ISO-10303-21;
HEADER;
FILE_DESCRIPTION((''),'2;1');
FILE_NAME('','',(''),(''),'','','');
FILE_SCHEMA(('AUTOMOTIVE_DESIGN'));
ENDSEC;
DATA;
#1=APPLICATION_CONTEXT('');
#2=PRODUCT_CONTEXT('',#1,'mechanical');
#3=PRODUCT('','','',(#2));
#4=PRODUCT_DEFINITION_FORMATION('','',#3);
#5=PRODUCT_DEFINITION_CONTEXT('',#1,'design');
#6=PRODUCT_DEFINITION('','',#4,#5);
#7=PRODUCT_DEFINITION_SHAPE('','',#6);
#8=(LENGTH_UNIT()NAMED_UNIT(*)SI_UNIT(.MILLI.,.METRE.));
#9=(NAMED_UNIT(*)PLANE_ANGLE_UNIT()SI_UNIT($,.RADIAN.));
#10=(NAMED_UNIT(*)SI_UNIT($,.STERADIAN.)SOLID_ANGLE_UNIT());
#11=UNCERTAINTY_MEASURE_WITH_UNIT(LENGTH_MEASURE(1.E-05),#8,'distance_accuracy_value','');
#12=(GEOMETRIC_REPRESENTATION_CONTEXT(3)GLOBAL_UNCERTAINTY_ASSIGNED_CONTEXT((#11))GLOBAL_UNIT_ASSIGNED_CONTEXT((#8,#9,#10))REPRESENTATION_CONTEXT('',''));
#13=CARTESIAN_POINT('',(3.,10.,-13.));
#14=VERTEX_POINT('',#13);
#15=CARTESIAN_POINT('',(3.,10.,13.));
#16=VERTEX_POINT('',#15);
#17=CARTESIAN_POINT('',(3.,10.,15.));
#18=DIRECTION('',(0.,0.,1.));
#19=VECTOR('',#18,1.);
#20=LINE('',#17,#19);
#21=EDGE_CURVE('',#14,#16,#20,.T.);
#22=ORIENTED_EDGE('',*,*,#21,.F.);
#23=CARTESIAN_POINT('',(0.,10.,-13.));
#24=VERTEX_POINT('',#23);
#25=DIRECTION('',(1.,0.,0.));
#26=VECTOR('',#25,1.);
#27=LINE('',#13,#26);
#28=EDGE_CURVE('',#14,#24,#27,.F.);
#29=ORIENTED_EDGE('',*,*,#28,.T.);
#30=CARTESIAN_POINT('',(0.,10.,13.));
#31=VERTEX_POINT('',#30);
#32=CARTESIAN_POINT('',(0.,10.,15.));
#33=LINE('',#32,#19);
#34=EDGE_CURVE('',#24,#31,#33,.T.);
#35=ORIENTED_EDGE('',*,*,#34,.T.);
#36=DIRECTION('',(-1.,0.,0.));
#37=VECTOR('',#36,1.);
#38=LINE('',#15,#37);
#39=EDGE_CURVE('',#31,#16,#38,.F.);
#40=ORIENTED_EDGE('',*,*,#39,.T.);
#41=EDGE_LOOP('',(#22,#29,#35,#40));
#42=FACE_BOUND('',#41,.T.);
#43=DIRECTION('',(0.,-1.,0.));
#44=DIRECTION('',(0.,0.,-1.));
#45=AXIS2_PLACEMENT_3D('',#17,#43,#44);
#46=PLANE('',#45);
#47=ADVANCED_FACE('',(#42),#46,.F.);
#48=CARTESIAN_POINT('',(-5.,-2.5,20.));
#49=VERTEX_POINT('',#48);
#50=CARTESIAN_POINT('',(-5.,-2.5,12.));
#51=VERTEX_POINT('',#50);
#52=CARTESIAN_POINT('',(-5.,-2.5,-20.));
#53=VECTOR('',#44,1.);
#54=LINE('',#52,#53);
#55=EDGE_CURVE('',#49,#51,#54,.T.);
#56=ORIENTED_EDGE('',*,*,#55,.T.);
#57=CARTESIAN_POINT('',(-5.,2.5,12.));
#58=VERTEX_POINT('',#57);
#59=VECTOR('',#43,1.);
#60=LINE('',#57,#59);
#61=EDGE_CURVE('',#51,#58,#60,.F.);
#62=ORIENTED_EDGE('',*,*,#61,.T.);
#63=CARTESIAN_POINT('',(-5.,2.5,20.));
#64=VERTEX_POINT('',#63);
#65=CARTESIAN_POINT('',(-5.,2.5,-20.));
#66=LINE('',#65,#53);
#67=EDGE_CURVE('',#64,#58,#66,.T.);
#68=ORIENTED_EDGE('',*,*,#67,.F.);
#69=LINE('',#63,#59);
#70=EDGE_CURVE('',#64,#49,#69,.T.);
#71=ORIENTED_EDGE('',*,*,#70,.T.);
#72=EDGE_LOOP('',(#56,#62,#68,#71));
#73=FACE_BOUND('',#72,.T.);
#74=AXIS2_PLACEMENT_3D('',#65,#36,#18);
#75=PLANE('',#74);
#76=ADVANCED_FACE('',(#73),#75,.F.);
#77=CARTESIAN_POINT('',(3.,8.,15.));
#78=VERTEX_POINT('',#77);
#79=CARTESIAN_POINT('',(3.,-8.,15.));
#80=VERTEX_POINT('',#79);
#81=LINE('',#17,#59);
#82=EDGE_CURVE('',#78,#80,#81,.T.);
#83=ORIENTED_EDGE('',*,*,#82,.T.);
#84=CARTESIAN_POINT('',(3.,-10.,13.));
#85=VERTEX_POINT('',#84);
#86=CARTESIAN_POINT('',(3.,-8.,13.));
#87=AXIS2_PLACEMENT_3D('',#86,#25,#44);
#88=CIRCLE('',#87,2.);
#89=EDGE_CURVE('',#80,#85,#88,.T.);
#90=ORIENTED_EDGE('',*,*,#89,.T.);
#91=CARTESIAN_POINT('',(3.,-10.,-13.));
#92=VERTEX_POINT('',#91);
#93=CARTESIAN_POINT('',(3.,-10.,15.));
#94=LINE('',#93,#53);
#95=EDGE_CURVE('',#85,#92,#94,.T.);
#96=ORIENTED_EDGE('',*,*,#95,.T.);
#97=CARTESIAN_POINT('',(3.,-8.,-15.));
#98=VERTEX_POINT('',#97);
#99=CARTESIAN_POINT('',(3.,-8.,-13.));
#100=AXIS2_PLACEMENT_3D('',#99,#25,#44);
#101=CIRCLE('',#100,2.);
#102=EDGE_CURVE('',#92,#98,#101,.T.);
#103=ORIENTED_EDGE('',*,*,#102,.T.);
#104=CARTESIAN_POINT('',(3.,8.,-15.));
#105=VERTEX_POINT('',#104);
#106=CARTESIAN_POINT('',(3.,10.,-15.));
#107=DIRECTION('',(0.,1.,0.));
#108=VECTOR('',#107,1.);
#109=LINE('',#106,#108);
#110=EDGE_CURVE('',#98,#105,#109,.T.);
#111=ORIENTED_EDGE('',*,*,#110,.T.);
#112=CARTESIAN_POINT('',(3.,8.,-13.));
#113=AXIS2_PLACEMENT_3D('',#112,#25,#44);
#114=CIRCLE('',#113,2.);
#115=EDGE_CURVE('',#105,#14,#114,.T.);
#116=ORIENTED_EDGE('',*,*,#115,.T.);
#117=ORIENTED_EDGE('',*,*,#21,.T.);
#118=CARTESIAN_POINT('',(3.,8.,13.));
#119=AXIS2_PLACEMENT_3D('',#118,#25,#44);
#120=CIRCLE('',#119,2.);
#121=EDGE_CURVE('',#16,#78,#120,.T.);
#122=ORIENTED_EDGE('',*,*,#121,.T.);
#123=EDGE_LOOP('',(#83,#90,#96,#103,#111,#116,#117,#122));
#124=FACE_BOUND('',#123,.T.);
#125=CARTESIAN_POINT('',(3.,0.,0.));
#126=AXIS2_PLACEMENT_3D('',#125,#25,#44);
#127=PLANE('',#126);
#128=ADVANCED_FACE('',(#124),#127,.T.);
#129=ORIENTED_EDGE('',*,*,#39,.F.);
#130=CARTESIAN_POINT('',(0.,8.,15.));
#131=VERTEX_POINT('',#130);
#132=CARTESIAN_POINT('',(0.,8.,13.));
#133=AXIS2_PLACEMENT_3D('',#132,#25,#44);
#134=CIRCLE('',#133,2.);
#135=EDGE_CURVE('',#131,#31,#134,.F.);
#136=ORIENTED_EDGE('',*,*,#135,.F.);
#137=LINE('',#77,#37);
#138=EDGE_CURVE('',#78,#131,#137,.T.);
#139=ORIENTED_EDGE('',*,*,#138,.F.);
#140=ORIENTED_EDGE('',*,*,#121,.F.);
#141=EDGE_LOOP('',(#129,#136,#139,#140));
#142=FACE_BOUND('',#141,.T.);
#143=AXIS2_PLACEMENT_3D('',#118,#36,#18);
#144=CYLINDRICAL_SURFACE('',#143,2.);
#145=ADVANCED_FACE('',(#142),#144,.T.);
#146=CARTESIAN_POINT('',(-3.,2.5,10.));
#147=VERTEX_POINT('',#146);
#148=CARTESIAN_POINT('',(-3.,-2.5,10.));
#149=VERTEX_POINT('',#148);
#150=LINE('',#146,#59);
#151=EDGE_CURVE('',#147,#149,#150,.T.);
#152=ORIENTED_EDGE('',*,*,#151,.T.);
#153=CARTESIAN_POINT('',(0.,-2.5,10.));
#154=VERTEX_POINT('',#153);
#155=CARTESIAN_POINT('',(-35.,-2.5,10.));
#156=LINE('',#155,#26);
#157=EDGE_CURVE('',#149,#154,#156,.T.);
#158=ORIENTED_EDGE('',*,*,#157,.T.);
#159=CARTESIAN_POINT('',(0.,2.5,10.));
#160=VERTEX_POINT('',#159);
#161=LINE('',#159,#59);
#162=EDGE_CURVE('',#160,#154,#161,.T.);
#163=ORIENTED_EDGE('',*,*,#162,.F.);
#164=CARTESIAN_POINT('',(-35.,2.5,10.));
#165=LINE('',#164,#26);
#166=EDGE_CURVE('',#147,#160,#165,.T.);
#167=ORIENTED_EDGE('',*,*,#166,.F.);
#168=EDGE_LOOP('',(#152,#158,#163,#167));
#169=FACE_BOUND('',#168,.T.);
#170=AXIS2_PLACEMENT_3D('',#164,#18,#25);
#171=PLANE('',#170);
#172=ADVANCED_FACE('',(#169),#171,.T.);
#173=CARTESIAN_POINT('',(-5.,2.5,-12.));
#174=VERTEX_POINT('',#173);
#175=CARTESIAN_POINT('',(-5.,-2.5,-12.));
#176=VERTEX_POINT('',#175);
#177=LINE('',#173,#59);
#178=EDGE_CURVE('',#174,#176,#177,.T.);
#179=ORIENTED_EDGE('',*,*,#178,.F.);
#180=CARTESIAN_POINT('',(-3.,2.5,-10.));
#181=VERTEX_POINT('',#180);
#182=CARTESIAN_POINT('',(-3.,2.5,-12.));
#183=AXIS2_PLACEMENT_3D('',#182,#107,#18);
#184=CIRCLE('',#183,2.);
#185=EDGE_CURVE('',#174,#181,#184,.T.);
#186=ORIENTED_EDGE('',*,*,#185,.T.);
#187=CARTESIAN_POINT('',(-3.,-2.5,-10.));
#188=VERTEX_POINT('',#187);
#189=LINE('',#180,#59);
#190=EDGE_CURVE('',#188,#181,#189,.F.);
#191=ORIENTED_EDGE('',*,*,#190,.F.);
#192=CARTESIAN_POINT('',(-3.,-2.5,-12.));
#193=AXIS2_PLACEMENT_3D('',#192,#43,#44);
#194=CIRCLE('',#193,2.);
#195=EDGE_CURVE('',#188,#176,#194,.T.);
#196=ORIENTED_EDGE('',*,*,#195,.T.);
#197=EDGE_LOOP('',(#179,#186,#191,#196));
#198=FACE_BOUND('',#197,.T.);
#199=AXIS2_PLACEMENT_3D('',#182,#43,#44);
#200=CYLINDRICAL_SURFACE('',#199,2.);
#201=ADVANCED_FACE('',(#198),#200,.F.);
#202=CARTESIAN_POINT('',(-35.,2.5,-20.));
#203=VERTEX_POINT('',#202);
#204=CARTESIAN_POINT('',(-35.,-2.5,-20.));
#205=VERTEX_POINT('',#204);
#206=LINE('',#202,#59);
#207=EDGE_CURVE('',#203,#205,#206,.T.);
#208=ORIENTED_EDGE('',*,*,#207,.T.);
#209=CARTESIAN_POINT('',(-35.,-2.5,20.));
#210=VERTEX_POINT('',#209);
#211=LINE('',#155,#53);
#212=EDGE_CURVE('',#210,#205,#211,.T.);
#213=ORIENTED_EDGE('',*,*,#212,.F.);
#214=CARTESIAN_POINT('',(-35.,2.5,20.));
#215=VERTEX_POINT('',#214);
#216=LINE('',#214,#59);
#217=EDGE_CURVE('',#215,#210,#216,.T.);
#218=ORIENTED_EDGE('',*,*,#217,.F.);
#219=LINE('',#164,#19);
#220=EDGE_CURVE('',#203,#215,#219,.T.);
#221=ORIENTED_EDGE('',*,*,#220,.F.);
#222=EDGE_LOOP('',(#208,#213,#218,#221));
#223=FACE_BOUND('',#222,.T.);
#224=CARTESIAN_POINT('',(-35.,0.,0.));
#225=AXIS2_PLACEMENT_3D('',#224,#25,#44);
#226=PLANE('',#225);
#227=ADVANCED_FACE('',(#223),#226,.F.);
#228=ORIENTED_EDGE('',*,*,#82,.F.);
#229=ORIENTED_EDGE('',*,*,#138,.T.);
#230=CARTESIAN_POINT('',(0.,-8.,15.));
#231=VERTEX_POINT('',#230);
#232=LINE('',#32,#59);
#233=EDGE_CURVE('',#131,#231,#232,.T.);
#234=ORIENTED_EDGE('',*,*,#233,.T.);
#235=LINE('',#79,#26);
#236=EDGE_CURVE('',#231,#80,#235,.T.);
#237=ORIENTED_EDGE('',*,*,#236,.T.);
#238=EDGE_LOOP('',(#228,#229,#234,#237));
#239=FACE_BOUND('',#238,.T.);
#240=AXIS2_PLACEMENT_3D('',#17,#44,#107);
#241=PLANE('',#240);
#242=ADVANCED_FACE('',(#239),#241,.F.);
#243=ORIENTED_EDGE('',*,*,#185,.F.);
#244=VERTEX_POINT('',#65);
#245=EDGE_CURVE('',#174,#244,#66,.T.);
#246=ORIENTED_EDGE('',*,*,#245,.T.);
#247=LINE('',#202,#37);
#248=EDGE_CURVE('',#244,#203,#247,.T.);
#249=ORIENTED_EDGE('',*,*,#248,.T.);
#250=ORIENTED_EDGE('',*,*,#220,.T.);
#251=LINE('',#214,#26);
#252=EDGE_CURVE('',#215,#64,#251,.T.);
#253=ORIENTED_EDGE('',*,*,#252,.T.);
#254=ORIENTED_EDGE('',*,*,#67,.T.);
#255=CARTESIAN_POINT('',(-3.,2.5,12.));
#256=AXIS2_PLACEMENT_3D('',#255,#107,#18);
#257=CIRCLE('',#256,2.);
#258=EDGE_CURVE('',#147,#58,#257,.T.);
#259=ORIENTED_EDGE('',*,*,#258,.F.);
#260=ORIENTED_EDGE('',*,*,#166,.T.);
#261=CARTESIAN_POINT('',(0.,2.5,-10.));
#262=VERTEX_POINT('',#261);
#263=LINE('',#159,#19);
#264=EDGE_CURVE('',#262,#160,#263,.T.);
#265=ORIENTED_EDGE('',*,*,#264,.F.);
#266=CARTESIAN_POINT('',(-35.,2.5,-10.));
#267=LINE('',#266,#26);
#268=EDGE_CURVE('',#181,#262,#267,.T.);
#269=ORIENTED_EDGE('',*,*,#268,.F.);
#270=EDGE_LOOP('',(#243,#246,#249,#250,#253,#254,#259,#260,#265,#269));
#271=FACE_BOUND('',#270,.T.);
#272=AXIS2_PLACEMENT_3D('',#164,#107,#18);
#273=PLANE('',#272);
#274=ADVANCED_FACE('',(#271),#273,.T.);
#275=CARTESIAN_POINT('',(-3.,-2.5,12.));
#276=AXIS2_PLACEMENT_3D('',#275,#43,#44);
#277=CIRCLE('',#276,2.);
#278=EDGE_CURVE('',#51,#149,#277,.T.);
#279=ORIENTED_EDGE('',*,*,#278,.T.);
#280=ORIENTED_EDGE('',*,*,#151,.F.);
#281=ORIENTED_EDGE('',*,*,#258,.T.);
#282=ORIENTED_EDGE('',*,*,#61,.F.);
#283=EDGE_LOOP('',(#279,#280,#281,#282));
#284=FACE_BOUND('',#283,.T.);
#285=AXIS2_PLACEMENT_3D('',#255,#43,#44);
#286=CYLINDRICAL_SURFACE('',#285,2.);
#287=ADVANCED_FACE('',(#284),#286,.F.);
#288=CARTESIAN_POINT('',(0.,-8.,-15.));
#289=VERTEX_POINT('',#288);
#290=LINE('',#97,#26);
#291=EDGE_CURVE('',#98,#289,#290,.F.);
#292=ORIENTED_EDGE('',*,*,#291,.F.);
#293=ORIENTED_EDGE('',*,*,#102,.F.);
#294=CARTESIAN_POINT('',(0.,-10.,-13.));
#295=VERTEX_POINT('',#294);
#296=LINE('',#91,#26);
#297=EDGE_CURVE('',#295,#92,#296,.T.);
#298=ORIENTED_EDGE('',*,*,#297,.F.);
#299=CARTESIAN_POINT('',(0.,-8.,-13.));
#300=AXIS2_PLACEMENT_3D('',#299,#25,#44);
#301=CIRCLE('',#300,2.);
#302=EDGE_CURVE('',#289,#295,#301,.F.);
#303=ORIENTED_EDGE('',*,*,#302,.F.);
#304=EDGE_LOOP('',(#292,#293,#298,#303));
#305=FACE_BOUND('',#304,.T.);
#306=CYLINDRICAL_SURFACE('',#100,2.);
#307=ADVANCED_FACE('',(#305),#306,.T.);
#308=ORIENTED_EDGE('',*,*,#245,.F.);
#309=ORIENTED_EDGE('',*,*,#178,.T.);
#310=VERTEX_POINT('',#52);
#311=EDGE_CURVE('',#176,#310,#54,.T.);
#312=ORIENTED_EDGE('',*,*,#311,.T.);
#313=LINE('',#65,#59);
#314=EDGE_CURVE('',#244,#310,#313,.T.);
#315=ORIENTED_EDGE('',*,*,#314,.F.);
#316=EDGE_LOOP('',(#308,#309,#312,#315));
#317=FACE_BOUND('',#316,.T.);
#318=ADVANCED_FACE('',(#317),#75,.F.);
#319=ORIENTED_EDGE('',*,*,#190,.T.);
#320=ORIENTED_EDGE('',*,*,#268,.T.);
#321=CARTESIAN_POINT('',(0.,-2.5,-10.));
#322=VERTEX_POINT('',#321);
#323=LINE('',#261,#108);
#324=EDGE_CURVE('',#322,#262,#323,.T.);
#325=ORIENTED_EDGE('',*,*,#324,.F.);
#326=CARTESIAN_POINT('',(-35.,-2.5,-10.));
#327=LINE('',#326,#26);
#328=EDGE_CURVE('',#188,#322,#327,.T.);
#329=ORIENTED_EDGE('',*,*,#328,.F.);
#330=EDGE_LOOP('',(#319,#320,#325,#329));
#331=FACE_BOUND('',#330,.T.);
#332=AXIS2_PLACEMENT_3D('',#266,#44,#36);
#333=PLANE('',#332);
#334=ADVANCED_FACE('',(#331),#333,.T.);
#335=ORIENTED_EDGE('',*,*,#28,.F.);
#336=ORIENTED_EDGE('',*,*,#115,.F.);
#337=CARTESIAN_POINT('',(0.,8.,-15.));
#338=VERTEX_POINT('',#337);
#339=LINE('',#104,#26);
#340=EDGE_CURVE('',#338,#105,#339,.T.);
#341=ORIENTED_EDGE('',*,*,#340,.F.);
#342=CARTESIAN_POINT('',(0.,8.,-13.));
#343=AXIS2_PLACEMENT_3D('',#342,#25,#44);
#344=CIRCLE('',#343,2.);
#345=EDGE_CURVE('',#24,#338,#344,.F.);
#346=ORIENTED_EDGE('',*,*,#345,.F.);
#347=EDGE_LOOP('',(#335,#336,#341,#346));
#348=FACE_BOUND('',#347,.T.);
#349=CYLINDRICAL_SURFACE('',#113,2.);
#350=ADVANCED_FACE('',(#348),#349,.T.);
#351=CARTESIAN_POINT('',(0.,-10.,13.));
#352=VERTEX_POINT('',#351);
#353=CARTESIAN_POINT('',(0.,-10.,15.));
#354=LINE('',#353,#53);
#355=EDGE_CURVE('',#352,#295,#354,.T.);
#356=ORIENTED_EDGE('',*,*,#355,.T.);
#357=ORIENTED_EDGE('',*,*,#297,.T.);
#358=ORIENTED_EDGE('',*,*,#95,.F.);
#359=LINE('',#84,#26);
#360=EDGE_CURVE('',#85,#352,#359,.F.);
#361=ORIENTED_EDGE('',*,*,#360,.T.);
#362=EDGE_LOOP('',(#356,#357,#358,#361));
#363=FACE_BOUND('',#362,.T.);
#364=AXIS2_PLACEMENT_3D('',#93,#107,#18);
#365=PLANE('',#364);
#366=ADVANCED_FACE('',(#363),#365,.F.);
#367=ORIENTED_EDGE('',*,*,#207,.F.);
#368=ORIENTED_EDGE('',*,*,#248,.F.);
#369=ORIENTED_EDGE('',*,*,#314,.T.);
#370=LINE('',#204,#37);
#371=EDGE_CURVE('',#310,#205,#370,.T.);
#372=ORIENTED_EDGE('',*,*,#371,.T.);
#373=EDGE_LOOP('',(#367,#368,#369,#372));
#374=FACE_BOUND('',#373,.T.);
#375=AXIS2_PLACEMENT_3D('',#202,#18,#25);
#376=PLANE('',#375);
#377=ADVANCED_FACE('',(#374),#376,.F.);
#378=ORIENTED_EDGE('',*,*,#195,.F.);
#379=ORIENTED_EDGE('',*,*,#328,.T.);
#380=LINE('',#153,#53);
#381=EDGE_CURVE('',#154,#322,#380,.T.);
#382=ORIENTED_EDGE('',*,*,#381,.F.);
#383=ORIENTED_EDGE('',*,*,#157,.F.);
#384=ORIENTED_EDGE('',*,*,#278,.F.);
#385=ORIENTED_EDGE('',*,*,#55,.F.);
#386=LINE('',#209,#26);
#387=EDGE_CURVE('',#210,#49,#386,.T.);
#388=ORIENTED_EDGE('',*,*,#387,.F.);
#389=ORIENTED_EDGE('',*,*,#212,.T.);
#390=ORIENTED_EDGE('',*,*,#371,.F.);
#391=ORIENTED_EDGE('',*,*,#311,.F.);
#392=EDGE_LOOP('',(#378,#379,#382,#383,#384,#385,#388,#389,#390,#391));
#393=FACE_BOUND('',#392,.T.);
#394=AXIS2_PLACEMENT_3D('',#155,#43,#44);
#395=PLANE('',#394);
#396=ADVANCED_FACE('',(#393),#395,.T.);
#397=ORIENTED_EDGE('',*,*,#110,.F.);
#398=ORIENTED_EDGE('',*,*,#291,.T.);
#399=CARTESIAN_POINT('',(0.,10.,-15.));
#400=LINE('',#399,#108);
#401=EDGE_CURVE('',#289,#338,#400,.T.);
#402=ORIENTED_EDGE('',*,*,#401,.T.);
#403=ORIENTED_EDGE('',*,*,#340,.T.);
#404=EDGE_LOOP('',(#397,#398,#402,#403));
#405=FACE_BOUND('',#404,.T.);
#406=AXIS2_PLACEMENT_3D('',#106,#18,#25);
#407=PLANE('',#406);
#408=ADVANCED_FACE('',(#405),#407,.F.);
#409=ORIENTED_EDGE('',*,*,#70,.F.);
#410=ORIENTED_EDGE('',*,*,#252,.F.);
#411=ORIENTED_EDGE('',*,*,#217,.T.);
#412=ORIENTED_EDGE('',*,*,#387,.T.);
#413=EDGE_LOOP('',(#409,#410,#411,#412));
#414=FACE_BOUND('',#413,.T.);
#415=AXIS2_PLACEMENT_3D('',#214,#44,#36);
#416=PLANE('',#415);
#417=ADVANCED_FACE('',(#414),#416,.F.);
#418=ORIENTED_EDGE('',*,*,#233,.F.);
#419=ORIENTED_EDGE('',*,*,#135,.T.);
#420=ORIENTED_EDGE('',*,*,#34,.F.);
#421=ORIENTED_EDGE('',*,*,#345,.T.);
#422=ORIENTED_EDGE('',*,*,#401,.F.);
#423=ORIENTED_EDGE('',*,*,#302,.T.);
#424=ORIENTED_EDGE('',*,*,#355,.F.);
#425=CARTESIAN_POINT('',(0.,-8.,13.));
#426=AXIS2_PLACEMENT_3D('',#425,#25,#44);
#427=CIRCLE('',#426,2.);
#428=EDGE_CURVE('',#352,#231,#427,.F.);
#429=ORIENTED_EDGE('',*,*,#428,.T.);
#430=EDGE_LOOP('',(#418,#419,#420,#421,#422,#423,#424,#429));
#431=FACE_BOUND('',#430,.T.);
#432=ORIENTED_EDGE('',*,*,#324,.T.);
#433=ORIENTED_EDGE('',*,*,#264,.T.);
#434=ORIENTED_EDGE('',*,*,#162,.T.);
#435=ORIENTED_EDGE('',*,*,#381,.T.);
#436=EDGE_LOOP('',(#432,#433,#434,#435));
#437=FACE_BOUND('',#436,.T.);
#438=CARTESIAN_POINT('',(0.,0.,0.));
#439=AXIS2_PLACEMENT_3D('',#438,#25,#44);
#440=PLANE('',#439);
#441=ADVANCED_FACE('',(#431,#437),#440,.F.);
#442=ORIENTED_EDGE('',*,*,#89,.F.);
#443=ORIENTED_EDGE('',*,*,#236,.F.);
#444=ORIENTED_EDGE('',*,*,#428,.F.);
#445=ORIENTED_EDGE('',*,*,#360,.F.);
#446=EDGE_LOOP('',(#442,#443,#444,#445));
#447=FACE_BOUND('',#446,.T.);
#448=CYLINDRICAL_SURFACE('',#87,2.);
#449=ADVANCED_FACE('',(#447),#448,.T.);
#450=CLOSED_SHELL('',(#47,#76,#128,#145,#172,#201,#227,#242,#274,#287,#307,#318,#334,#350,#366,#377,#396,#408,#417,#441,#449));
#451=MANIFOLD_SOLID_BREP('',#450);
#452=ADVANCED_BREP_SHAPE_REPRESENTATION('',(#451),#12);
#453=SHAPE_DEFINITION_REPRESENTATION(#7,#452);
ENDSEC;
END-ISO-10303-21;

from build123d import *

# Parameters (mm, degrees)
SKETCH_1_W      = 20
SKETCH_1_H      = 5
EXTRUDE_1_DEPTH = 35
SKETCH_2_W      = 30
SKETCH_2_H      = 20
EXTRUDE_2_DEPTH = 3
FILLET_1_R      = 2
FILLET_2_R      = 2
FILLET_3_R      = 2
FILLET_4_R      = 2
SKETCH_4_W      = 30
SKETCH_4_H      = 40
EXTRUDE_3_DEPTH = 2.5
FILLET_5_R      = 2
FILLET_6_R      = 2


with BuildPart() as part:
    # 草图1 → 凸台-拉伸1 (new body)
    with BuildSketch(Plane(origin=(0, 0, 0), x_dir=(0, 0, -1), z_dir=(1, 0, 0))):
        Rectangle(SKETCH_1_W, SKETCH_1_H)
    extrude(amount=-EXTRUDE_1_DEPTH)

    # 草图2 → 凸台-拉伸2 (add)
    with BuildSketch(Plane(origin=(0, 0, 0), x_dir=(0, 0, -1), z_dir=(1, 0, 0))):
        Rectangle(SKETCH_2_W, SKETCH_2_H)
    extrude(amount=EXTRUDE_2_DEPTH)

    # 圆角1
    fillet_1_edges = [part.edges().sort_by_distance(p)[0] for p in [
        (1.5, 10, -15),
    ]]
    fillet(fillet_1_edges, radius=FILLET_1_R)

    # 圆角2
    fillet_2_edges = [part.edges().sort_by_distance(p)[0] for p in [
        (1.5, 10, 15),
    ]]
    fillet(fillet_2_edges, radius=FILLET_2_R)

    # 圆角3
    fillet_3_edges = [part.edges().sort_by_distance(p)[0] for p in [
        (1.5, -10, -15),
    ]]
    fillet(fillet_3_edges, radius=FILLET_3_R)

    # 圆角4
    fillet_4_edges = [part.edges().sort_by_distance(p)[0] for p in [
        (1.5, -10, 15),
    ]]
    fillet(fillet_4_edges, radius=FILLET_4_R)

    # 草图4 → 凸台-拉伸3 (add, symmetric)
    with BuildSketch(Plane(origin=(0, 0, 0), x_dir=(1, 0, 0), z_dir=(0, 1, 0))):
        with Locations((-20, 0)):
            Rectangle(SKETCH_4_W, SKETCH_4_H)
    extrude(amount=EXTRUDE_3_DEPTH, both=True)

    # 圆角5
    fillet_5_edges = [part.edges().sort_by_distance(p)[0] for p in [
        (-5, 0, -10),
    ]]
    fillet(fillet_5_edges, radius=FILLET_5_R)

    # 圆角6
    fillet_6_edges = [part.edges().sort_by_distance(p)[0] for p in [
        (-5, 0, 10),
    ]]
    fillet(fillet_6_edges, radius=FILLET_6_R)


solid = part.part
